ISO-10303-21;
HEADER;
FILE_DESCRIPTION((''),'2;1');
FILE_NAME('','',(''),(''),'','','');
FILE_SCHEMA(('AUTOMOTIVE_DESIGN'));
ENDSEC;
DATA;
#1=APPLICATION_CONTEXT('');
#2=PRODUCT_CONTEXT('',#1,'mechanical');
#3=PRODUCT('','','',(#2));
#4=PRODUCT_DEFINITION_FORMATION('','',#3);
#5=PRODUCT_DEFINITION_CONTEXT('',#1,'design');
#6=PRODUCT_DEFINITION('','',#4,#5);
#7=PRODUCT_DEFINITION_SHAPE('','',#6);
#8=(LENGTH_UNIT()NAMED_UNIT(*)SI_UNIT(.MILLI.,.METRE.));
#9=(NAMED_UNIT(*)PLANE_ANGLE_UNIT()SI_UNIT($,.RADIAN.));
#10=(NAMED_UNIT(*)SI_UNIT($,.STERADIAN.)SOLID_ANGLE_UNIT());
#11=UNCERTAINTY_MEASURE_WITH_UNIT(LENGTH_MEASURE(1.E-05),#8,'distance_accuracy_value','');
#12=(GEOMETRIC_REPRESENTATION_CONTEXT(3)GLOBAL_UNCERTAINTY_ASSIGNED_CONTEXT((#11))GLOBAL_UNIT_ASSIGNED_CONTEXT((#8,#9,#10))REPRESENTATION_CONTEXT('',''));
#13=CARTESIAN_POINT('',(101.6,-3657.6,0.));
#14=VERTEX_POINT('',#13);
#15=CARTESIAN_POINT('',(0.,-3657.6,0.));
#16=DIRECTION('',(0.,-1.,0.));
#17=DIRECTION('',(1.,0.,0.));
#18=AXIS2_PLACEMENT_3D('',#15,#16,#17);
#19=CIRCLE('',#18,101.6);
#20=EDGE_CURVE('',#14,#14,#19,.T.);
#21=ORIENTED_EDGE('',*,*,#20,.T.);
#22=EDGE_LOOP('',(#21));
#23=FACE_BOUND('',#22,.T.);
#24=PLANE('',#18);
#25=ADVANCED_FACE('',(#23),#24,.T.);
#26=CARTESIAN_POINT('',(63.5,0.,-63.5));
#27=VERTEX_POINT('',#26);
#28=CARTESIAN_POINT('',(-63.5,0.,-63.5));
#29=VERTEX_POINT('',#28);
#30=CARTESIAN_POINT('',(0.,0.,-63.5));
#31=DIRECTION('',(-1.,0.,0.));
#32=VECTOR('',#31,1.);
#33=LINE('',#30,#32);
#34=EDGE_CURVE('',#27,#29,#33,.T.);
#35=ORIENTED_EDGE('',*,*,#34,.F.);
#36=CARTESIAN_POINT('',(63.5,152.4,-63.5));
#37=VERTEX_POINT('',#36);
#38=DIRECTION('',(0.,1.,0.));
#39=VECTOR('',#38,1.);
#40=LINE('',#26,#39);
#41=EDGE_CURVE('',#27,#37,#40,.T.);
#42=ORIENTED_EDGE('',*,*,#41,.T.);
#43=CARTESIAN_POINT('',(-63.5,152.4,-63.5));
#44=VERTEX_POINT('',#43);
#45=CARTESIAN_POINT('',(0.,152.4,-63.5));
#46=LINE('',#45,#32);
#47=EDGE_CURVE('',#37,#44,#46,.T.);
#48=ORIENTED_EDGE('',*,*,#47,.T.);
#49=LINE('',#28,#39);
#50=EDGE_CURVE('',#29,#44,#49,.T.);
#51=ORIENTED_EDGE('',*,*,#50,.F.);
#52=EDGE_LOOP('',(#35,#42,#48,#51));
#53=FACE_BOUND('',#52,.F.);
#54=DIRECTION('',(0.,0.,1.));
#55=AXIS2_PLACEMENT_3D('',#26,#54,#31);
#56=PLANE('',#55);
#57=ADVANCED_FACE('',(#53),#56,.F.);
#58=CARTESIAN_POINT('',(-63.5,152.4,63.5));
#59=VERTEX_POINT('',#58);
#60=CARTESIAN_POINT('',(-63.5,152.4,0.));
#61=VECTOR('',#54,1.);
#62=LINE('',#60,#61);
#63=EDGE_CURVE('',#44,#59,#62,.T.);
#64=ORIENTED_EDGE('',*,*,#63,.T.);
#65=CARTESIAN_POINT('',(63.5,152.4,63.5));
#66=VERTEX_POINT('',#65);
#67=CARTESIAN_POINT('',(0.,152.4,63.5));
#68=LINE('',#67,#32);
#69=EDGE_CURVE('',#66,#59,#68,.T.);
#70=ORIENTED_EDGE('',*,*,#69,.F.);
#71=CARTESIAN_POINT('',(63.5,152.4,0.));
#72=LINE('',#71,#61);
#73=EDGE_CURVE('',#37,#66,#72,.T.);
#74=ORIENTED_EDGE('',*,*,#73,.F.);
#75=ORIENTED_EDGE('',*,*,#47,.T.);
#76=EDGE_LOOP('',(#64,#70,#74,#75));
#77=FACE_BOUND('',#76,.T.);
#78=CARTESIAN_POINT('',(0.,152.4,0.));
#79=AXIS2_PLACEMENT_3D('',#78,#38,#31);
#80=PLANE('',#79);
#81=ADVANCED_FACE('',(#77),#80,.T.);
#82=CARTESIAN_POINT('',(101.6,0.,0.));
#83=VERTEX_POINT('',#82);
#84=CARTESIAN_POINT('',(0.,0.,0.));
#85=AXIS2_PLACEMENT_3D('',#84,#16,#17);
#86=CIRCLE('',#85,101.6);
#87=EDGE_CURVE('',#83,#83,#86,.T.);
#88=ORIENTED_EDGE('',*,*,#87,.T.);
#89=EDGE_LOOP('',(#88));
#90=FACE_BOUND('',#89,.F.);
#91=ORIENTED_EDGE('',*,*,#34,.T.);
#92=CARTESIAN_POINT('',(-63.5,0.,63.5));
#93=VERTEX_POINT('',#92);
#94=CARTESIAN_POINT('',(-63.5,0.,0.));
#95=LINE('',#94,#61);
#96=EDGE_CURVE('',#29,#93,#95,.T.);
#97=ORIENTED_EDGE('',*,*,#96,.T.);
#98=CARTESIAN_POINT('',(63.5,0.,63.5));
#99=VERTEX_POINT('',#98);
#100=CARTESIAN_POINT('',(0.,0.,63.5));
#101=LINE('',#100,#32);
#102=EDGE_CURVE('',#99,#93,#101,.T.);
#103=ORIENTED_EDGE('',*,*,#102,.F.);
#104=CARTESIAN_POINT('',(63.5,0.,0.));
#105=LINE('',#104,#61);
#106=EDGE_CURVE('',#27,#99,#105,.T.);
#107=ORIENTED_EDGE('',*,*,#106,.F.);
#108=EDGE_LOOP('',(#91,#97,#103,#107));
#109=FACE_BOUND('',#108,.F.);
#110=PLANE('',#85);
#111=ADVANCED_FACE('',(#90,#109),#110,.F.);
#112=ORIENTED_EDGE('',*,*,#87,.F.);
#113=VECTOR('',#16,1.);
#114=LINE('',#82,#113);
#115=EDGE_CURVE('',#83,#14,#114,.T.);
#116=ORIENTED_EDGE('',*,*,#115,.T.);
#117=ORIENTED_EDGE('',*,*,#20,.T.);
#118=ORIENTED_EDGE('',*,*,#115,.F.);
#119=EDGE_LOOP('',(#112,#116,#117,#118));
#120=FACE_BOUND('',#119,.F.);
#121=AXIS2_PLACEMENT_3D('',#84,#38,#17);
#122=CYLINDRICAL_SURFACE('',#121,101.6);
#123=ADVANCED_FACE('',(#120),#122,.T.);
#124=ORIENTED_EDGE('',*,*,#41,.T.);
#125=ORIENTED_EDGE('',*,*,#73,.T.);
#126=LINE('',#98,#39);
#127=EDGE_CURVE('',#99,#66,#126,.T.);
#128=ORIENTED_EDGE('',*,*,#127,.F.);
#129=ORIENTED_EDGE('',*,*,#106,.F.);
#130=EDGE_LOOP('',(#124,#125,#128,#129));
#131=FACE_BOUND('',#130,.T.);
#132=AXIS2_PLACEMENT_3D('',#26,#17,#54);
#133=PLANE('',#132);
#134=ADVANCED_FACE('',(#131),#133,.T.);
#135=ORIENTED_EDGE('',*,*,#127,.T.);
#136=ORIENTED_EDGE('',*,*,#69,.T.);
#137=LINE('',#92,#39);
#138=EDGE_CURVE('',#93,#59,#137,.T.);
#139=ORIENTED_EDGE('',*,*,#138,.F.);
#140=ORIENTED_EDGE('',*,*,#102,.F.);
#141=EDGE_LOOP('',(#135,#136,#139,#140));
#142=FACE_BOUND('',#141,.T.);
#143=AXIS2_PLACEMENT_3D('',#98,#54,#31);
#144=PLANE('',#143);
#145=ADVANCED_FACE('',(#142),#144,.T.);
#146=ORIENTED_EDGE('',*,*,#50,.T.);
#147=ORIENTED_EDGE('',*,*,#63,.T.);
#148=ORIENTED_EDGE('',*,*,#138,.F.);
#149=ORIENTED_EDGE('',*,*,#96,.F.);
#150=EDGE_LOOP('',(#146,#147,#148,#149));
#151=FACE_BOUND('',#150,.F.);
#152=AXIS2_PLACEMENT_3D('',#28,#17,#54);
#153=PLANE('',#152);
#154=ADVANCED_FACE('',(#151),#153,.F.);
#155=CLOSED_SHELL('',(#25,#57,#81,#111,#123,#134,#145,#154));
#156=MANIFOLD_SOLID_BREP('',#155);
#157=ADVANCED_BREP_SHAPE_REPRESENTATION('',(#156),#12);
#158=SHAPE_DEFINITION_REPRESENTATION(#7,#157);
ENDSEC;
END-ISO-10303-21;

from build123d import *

# Parameters (mm, degrees)
F0_R     = 101.6
F1_DEPTH = 3657.6
F2_W     = 127
F2_H     = 127
F3_DEPTH = 152.4


with BuildPart() as f1:
    # F0 (on Front) → F1 (new body)
    with BuildSketch(Plane.XZ):
        Circle(F0_R)
    extrude(amount=F1_DEPTH)

    # F2 (on face) → F3 (join)
    with BuildSketch(Plane(origin=(0, 0, 0), x_dir=(-1, 0, 0), z_dir=(0, 1, 0))):
        Rectangle(F2_W, F2_H)
    extrude(amount=F3_DEPTH)


solid = f1.part
